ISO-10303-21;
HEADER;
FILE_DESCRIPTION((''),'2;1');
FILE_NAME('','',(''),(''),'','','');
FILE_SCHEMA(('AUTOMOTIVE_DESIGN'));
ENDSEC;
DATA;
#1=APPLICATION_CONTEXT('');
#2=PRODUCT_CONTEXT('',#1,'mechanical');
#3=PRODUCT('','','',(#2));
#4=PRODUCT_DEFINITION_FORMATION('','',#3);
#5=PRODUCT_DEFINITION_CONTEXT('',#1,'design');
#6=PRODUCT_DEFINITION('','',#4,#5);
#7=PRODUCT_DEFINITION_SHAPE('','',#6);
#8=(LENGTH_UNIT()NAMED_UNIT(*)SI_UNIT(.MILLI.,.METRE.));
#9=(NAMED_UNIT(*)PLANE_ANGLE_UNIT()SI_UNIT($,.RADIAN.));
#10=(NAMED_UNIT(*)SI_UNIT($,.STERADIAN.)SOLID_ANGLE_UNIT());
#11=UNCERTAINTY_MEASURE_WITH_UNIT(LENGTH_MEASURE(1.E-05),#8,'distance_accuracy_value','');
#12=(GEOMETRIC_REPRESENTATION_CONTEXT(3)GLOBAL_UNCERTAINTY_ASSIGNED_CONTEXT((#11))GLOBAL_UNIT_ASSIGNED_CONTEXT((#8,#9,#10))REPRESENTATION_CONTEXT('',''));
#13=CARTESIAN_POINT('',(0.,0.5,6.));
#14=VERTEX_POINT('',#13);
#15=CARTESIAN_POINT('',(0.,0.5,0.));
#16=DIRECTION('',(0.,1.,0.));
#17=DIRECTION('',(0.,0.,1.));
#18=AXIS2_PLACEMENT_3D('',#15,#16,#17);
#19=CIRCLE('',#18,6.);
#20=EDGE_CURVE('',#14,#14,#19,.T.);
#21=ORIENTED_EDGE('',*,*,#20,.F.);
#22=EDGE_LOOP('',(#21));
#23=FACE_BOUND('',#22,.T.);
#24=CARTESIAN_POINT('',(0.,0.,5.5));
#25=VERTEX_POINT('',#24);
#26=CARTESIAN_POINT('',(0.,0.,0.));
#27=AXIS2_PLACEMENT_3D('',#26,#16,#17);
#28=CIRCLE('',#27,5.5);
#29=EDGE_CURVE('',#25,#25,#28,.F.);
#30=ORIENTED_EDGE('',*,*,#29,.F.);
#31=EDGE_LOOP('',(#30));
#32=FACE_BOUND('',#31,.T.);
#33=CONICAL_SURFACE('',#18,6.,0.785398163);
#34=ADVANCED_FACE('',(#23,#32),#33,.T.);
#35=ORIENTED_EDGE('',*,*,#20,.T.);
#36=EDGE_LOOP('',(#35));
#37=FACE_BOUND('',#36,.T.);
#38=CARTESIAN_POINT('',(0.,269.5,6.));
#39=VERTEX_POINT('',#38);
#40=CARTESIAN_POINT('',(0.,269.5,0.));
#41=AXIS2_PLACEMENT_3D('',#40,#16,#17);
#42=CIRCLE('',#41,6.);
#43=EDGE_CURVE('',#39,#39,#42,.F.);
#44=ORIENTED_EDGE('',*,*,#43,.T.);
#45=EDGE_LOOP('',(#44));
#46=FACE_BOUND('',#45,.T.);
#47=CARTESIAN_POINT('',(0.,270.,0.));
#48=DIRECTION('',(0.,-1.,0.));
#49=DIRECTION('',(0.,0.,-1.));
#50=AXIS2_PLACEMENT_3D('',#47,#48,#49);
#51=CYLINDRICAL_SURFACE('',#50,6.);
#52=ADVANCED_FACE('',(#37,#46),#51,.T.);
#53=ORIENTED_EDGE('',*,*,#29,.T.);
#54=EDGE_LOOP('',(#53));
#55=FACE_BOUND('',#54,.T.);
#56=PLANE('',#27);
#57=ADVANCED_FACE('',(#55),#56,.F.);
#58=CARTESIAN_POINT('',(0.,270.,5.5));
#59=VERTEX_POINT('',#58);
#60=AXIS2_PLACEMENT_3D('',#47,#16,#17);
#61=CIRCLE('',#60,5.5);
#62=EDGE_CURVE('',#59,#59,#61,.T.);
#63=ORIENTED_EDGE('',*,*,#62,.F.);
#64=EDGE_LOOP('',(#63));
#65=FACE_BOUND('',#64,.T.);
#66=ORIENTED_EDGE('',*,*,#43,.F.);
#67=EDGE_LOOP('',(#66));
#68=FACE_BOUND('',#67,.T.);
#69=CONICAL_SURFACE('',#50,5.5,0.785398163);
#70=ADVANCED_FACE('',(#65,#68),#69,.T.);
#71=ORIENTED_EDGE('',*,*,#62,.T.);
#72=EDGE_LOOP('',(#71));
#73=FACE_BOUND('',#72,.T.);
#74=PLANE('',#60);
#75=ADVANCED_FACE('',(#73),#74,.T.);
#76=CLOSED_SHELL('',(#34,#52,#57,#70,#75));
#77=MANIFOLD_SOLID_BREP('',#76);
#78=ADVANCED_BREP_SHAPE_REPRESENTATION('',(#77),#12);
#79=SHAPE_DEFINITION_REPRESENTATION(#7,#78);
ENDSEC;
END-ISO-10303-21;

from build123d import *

# Parameters (mm, degrees)
SKETCH1_R           = 6
BOSS_EXTRUDE1_DEPTH = 270
CHAMFER1_SIZE       = 0.5


with BuildPart() as part:
    # Sketch1 → Boss-Extrude1 (new body)
    with BuildSketch(Plane(origin=(0, 0, 0), x_dir=(1, 0, 0), z_dir=(0, 1, 0))):
        with Locations(Location((0, 0, 0), (0, 0, 270))):
            Circle(SKETCH1_R)
    extrude(amount=BOSS_EXTRUDE1_DEPTH)

    # Chamfer1
    chamfer1_edges = [part.edges().sort_by_distance(p)[0] for p in [
        (0, 0, -6),
        (0, 270, -6),
    ]]
    chamfer(chamfer1_edges, length=CHAMFER1_SIZE)


solid = part.part
